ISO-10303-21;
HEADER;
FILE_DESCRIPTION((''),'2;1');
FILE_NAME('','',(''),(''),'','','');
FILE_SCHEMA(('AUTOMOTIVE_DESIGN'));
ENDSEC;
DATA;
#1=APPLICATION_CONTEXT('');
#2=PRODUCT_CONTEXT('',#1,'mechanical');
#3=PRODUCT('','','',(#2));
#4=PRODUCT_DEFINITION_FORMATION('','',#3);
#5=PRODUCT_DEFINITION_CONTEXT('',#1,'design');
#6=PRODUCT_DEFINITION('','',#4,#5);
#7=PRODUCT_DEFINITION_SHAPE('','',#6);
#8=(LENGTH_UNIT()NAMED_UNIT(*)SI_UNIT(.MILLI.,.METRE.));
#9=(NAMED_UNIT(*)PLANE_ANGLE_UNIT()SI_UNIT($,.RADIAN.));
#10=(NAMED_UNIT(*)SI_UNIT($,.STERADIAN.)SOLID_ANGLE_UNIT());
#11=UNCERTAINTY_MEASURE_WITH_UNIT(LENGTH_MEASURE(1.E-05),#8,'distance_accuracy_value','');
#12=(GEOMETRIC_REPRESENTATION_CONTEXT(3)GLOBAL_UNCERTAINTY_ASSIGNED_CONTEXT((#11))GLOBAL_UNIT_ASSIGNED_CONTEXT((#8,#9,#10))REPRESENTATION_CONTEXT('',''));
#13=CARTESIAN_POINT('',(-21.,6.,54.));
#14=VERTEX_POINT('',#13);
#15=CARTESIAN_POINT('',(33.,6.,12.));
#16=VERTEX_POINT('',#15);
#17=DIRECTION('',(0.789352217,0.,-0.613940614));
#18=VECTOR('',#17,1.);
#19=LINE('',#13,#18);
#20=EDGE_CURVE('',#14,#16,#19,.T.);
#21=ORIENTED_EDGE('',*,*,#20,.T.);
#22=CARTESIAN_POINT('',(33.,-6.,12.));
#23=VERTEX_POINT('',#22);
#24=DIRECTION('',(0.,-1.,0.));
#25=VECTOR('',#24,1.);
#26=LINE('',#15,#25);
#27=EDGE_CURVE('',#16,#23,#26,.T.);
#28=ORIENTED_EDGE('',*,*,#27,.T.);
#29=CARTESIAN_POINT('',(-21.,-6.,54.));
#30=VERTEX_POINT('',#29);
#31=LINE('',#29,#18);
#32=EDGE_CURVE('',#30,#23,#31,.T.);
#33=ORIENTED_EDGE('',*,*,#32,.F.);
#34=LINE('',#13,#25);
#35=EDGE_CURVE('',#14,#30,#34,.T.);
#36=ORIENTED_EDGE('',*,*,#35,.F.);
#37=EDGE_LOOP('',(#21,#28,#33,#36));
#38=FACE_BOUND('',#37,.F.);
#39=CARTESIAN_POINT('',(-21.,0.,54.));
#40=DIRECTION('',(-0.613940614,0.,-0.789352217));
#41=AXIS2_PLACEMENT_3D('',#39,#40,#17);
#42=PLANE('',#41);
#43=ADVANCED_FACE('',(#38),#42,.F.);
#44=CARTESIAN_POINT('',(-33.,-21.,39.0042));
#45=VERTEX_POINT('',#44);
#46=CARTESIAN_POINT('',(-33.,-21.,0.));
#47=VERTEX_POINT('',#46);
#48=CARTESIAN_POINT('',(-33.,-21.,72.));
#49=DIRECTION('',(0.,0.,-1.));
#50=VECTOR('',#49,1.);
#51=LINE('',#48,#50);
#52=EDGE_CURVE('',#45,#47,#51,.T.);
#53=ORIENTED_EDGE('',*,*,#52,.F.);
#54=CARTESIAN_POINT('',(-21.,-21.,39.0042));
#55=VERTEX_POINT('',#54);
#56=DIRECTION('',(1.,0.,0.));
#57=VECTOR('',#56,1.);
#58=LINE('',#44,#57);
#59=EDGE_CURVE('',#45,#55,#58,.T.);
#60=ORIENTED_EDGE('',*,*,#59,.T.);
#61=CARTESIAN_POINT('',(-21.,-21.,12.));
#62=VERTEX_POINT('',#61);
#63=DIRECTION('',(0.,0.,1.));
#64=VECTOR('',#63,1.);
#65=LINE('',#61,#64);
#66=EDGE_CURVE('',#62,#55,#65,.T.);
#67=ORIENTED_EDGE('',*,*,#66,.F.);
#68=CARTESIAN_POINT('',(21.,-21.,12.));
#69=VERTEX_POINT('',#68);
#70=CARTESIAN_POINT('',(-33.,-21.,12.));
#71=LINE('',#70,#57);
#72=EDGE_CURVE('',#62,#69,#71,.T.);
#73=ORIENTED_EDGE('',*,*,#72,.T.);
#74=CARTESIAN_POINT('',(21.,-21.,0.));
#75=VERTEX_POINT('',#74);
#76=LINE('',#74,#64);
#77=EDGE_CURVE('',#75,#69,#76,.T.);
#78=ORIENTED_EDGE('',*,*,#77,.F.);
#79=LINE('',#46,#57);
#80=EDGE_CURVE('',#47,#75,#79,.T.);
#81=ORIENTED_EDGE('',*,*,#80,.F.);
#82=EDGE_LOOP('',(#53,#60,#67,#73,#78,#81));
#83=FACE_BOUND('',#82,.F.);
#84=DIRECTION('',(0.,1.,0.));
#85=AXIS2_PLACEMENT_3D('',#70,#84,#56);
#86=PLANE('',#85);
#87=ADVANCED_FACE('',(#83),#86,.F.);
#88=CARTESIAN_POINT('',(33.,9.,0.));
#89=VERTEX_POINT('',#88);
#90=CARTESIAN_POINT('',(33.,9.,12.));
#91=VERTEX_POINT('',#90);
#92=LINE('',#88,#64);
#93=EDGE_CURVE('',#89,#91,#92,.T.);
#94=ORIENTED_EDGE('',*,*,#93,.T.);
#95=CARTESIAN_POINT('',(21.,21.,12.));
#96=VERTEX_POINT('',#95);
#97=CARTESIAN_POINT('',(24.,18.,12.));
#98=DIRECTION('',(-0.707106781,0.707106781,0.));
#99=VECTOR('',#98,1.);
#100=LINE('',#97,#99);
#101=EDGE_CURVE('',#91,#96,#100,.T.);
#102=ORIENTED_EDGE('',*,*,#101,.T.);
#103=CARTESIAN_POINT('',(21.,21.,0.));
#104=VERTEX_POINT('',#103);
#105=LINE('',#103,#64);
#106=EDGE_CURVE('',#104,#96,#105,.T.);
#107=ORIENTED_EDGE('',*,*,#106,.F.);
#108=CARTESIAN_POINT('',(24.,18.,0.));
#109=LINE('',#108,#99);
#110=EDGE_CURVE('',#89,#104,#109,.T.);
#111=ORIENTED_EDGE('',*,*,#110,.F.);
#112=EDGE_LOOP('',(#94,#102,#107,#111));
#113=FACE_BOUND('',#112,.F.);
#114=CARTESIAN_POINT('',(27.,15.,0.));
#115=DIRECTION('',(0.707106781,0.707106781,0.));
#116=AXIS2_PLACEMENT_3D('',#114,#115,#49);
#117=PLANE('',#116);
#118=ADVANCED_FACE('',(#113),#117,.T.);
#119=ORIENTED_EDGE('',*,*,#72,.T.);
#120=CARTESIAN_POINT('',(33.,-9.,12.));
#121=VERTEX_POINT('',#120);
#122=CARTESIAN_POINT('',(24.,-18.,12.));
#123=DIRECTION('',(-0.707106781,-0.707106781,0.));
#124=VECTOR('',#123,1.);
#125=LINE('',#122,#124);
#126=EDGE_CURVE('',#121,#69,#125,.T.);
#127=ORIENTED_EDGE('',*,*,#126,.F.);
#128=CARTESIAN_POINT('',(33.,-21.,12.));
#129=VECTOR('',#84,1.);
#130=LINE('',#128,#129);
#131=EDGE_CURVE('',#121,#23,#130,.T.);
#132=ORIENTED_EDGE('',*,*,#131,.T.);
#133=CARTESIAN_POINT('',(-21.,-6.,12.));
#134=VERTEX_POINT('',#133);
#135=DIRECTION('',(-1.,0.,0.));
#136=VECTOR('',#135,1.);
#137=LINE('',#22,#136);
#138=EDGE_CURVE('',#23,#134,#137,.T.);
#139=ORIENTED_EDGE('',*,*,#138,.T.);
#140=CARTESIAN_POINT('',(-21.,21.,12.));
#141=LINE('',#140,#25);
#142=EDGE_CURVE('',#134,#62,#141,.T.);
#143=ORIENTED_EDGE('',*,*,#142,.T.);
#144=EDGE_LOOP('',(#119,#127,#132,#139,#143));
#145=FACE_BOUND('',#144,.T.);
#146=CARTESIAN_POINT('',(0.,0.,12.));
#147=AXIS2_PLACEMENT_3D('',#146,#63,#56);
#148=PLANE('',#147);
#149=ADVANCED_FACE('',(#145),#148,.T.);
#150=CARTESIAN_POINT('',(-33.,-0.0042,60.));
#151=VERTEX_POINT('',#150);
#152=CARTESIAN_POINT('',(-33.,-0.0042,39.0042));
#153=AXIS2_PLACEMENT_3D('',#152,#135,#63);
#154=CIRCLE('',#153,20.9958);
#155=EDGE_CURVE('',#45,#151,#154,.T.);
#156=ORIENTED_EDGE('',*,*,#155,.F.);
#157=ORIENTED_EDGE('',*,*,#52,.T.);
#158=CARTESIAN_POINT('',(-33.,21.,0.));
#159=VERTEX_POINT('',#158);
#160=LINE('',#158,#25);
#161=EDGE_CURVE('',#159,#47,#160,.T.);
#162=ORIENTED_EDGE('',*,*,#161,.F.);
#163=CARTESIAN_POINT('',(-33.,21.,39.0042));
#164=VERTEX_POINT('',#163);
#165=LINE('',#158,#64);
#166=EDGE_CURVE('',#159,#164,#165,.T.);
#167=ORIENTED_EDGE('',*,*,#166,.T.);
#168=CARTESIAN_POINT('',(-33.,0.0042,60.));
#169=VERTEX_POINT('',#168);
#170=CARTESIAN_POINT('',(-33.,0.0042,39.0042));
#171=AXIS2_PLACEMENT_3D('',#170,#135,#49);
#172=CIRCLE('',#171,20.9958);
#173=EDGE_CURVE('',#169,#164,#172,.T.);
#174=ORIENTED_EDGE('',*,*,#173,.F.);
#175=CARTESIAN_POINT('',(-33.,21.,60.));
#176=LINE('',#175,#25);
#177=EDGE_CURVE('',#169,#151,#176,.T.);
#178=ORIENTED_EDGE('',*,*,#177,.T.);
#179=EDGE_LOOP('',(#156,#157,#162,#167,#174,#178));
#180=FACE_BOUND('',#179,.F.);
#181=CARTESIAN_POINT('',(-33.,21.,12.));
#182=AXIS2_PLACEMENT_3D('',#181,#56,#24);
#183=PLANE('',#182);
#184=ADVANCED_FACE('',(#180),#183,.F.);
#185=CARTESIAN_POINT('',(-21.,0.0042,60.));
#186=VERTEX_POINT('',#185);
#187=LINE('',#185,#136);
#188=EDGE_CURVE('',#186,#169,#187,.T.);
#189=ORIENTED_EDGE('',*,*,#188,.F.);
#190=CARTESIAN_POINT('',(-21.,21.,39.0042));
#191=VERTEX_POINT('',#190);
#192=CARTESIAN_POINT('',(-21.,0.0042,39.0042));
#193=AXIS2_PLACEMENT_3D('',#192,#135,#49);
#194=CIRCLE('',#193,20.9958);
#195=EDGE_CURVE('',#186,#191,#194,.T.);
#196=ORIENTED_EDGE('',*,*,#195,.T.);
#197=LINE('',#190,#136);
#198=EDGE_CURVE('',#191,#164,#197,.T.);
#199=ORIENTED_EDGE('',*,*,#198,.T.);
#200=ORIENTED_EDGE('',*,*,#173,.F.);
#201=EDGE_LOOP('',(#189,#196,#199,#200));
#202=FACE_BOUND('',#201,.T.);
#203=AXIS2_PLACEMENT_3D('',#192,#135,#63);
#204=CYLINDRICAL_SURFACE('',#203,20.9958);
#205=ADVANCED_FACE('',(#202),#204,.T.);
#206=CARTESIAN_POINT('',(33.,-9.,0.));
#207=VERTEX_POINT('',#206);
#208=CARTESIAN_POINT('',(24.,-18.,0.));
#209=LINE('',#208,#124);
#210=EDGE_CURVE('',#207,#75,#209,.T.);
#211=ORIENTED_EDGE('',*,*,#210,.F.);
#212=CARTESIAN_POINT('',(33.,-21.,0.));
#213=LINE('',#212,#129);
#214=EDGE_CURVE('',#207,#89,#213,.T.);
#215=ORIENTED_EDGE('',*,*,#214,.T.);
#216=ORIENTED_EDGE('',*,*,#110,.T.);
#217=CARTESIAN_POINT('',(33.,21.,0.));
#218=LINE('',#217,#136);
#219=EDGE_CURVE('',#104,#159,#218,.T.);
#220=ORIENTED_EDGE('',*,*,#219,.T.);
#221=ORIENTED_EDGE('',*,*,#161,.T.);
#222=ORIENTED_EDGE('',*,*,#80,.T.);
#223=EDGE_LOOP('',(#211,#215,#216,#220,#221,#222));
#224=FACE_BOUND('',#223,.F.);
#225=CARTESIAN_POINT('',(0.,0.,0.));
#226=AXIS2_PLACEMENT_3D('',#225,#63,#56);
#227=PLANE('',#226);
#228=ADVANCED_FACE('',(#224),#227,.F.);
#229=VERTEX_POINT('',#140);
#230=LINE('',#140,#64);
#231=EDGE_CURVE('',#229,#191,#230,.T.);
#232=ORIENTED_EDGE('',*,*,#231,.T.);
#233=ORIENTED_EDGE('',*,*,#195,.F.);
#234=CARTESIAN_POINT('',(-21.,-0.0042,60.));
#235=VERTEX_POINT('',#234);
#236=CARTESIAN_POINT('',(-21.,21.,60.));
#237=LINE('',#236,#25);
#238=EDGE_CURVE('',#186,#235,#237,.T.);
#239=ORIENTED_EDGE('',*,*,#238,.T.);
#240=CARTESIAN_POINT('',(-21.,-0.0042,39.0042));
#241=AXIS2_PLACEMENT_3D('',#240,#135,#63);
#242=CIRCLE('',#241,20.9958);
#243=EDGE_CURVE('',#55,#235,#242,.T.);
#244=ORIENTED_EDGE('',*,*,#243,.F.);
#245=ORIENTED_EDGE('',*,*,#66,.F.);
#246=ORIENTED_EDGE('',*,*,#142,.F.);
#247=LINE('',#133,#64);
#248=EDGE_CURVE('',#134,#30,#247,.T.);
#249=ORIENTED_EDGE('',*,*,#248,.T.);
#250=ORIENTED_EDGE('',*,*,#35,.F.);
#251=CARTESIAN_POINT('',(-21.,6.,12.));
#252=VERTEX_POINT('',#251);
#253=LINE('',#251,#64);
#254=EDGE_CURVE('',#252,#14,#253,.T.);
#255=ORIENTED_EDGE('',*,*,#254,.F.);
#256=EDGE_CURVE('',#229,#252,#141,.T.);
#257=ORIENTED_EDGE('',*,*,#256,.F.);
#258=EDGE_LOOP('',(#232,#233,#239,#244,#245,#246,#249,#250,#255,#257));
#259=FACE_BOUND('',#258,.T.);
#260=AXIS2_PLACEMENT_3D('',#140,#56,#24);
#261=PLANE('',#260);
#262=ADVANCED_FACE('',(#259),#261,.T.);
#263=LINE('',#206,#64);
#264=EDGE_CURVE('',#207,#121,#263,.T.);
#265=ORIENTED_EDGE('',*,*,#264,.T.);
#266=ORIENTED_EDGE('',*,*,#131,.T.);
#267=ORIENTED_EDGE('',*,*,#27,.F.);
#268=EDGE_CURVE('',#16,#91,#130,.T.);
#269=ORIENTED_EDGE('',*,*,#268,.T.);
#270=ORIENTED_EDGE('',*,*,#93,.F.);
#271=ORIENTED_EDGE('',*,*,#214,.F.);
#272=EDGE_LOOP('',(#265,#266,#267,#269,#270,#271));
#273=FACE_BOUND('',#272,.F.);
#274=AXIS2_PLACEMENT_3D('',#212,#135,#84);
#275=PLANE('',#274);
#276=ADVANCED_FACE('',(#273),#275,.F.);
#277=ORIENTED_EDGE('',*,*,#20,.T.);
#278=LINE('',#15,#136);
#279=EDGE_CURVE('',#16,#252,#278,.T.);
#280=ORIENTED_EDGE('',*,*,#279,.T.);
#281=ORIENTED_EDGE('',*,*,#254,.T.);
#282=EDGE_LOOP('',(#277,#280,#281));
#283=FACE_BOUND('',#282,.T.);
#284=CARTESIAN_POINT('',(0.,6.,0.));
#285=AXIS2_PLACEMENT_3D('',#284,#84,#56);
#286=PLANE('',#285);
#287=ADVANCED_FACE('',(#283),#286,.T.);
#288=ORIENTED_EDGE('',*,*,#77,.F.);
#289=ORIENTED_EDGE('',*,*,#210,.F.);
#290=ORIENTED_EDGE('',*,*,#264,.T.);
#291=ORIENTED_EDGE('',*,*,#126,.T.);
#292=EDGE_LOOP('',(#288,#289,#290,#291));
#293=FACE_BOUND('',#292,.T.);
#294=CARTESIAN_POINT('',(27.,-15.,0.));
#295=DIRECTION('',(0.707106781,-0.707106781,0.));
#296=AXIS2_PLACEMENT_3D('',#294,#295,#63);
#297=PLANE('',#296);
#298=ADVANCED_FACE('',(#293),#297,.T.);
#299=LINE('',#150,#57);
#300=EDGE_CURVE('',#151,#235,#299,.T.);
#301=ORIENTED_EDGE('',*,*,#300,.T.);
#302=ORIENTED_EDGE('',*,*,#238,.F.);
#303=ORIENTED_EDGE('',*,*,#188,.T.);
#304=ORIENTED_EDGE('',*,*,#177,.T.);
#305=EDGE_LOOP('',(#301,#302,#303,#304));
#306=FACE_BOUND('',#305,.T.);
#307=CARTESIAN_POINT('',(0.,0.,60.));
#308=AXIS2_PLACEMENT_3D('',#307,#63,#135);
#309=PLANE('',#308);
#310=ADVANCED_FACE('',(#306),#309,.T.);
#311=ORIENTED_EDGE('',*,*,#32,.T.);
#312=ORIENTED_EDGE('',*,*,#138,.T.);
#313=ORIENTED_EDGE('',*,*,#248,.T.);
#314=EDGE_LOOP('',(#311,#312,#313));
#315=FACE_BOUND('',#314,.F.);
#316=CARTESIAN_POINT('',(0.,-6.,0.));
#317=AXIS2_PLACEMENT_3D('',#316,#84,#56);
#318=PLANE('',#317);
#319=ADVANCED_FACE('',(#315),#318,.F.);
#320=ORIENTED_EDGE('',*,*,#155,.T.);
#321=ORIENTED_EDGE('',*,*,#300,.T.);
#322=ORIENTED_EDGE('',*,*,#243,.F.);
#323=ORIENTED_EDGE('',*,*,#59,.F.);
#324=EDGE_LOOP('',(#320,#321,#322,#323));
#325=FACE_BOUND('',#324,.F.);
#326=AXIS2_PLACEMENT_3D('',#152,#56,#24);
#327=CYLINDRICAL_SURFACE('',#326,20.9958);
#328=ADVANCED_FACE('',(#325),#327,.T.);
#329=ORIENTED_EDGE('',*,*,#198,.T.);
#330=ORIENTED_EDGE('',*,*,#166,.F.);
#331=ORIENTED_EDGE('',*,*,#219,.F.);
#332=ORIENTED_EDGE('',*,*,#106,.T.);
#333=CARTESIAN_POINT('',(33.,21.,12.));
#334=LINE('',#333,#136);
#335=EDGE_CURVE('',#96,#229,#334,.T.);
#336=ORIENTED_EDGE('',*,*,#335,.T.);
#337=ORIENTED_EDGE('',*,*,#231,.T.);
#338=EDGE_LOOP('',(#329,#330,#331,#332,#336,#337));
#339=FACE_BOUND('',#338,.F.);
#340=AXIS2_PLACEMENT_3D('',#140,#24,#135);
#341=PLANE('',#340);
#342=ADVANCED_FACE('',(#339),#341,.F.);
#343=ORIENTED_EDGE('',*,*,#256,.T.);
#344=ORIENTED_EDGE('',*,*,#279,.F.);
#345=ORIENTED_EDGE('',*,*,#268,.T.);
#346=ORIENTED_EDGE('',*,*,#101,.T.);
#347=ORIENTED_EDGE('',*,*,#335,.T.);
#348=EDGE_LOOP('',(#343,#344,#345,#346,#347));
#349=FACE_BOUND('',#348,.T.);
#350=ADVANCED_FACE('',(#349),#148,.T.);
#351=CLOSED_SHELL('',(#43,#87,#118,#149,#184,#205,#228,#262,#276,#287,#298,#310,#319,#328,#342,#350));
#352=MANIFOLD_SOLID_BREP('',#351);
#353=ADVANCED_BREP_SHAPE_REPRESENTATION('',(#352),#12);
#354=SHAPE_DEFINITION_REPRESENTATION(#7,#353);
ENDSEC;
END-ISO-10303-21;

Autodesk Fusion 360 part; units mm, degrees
sketch "bottom" plane through (0, 0, 0) normal (0, 0, 1) x (1, 0, 0)
  line L0 (33, 21) -> (-33, 21)
  line L1 (-33, 21) -> (-33, -21)
  line L2 (-33, -21) -> (33, -21)
  line L3 (33, -21) -> (33, 21)
  line L4 (33, 21) -> (-33, -21) construction
  line L5 (-33, 21) -> (33, -21) construction
  dimension "d32" = 66
  dimension "d33" = 42
extrude "Extrude7" add sketch "bottom" along normal blind 12
chamfer "Chamfer1" distance 12 angle 45 1 edges at (33, -21, 6)
chamfer "Chamfer2" distance 12 angle 45 1 edges at (33, 21, 6)
sketch "wall" plane through (0, 0, 12) normal (0, 0, 1) x (-1, 0, 0)
  line L0 (-33, -9) -> (-21, -21)
  line L1 (-21, -21) -> (33, -21)
  line L2 (33, -21) -> (33, 21)
  line L3 (33, 21) -> (-21, 21)
  line L4 (-21, 21) -> (-33, 9)
  line L5 (-33, 9) -> (-33, -9)
  line L6 (33, -21) -> (21, -21)
  line L7 (21, -21) -> (21, 21)
  line L8 (21, 21) -> (33, 21)
  line L9 (33, 21) -> (33, -21)
  dimension "d38" = 12
extrude "Extrude8" add sketch "wall" along normal blind 60 contours L1 L2 L3 L6 L7 L8 L9
extrude "Extrude9" cut 1 faces at (-29, 7, 72) along direction (0, 0, -1) blind 12
fillet "Fillet1" radius 21 2 edges at (-27, -21, 60) (-27, 21, 60)
sketch "Sketch10" plane through (0, 0, 0) normal (0, 1, 0) x (1, 0, 0)
  line L0 (-21, -12) -> (-21, -54)
  line L1 (-21, -54) -> (33, -12)
  line L2 (33, -12) -> (-21, -12)
  dimension "d45" = 42
  dimension "d46" = 54
extrude "Extrude10" add sketch "Sketch10" along normal mid plane 12
